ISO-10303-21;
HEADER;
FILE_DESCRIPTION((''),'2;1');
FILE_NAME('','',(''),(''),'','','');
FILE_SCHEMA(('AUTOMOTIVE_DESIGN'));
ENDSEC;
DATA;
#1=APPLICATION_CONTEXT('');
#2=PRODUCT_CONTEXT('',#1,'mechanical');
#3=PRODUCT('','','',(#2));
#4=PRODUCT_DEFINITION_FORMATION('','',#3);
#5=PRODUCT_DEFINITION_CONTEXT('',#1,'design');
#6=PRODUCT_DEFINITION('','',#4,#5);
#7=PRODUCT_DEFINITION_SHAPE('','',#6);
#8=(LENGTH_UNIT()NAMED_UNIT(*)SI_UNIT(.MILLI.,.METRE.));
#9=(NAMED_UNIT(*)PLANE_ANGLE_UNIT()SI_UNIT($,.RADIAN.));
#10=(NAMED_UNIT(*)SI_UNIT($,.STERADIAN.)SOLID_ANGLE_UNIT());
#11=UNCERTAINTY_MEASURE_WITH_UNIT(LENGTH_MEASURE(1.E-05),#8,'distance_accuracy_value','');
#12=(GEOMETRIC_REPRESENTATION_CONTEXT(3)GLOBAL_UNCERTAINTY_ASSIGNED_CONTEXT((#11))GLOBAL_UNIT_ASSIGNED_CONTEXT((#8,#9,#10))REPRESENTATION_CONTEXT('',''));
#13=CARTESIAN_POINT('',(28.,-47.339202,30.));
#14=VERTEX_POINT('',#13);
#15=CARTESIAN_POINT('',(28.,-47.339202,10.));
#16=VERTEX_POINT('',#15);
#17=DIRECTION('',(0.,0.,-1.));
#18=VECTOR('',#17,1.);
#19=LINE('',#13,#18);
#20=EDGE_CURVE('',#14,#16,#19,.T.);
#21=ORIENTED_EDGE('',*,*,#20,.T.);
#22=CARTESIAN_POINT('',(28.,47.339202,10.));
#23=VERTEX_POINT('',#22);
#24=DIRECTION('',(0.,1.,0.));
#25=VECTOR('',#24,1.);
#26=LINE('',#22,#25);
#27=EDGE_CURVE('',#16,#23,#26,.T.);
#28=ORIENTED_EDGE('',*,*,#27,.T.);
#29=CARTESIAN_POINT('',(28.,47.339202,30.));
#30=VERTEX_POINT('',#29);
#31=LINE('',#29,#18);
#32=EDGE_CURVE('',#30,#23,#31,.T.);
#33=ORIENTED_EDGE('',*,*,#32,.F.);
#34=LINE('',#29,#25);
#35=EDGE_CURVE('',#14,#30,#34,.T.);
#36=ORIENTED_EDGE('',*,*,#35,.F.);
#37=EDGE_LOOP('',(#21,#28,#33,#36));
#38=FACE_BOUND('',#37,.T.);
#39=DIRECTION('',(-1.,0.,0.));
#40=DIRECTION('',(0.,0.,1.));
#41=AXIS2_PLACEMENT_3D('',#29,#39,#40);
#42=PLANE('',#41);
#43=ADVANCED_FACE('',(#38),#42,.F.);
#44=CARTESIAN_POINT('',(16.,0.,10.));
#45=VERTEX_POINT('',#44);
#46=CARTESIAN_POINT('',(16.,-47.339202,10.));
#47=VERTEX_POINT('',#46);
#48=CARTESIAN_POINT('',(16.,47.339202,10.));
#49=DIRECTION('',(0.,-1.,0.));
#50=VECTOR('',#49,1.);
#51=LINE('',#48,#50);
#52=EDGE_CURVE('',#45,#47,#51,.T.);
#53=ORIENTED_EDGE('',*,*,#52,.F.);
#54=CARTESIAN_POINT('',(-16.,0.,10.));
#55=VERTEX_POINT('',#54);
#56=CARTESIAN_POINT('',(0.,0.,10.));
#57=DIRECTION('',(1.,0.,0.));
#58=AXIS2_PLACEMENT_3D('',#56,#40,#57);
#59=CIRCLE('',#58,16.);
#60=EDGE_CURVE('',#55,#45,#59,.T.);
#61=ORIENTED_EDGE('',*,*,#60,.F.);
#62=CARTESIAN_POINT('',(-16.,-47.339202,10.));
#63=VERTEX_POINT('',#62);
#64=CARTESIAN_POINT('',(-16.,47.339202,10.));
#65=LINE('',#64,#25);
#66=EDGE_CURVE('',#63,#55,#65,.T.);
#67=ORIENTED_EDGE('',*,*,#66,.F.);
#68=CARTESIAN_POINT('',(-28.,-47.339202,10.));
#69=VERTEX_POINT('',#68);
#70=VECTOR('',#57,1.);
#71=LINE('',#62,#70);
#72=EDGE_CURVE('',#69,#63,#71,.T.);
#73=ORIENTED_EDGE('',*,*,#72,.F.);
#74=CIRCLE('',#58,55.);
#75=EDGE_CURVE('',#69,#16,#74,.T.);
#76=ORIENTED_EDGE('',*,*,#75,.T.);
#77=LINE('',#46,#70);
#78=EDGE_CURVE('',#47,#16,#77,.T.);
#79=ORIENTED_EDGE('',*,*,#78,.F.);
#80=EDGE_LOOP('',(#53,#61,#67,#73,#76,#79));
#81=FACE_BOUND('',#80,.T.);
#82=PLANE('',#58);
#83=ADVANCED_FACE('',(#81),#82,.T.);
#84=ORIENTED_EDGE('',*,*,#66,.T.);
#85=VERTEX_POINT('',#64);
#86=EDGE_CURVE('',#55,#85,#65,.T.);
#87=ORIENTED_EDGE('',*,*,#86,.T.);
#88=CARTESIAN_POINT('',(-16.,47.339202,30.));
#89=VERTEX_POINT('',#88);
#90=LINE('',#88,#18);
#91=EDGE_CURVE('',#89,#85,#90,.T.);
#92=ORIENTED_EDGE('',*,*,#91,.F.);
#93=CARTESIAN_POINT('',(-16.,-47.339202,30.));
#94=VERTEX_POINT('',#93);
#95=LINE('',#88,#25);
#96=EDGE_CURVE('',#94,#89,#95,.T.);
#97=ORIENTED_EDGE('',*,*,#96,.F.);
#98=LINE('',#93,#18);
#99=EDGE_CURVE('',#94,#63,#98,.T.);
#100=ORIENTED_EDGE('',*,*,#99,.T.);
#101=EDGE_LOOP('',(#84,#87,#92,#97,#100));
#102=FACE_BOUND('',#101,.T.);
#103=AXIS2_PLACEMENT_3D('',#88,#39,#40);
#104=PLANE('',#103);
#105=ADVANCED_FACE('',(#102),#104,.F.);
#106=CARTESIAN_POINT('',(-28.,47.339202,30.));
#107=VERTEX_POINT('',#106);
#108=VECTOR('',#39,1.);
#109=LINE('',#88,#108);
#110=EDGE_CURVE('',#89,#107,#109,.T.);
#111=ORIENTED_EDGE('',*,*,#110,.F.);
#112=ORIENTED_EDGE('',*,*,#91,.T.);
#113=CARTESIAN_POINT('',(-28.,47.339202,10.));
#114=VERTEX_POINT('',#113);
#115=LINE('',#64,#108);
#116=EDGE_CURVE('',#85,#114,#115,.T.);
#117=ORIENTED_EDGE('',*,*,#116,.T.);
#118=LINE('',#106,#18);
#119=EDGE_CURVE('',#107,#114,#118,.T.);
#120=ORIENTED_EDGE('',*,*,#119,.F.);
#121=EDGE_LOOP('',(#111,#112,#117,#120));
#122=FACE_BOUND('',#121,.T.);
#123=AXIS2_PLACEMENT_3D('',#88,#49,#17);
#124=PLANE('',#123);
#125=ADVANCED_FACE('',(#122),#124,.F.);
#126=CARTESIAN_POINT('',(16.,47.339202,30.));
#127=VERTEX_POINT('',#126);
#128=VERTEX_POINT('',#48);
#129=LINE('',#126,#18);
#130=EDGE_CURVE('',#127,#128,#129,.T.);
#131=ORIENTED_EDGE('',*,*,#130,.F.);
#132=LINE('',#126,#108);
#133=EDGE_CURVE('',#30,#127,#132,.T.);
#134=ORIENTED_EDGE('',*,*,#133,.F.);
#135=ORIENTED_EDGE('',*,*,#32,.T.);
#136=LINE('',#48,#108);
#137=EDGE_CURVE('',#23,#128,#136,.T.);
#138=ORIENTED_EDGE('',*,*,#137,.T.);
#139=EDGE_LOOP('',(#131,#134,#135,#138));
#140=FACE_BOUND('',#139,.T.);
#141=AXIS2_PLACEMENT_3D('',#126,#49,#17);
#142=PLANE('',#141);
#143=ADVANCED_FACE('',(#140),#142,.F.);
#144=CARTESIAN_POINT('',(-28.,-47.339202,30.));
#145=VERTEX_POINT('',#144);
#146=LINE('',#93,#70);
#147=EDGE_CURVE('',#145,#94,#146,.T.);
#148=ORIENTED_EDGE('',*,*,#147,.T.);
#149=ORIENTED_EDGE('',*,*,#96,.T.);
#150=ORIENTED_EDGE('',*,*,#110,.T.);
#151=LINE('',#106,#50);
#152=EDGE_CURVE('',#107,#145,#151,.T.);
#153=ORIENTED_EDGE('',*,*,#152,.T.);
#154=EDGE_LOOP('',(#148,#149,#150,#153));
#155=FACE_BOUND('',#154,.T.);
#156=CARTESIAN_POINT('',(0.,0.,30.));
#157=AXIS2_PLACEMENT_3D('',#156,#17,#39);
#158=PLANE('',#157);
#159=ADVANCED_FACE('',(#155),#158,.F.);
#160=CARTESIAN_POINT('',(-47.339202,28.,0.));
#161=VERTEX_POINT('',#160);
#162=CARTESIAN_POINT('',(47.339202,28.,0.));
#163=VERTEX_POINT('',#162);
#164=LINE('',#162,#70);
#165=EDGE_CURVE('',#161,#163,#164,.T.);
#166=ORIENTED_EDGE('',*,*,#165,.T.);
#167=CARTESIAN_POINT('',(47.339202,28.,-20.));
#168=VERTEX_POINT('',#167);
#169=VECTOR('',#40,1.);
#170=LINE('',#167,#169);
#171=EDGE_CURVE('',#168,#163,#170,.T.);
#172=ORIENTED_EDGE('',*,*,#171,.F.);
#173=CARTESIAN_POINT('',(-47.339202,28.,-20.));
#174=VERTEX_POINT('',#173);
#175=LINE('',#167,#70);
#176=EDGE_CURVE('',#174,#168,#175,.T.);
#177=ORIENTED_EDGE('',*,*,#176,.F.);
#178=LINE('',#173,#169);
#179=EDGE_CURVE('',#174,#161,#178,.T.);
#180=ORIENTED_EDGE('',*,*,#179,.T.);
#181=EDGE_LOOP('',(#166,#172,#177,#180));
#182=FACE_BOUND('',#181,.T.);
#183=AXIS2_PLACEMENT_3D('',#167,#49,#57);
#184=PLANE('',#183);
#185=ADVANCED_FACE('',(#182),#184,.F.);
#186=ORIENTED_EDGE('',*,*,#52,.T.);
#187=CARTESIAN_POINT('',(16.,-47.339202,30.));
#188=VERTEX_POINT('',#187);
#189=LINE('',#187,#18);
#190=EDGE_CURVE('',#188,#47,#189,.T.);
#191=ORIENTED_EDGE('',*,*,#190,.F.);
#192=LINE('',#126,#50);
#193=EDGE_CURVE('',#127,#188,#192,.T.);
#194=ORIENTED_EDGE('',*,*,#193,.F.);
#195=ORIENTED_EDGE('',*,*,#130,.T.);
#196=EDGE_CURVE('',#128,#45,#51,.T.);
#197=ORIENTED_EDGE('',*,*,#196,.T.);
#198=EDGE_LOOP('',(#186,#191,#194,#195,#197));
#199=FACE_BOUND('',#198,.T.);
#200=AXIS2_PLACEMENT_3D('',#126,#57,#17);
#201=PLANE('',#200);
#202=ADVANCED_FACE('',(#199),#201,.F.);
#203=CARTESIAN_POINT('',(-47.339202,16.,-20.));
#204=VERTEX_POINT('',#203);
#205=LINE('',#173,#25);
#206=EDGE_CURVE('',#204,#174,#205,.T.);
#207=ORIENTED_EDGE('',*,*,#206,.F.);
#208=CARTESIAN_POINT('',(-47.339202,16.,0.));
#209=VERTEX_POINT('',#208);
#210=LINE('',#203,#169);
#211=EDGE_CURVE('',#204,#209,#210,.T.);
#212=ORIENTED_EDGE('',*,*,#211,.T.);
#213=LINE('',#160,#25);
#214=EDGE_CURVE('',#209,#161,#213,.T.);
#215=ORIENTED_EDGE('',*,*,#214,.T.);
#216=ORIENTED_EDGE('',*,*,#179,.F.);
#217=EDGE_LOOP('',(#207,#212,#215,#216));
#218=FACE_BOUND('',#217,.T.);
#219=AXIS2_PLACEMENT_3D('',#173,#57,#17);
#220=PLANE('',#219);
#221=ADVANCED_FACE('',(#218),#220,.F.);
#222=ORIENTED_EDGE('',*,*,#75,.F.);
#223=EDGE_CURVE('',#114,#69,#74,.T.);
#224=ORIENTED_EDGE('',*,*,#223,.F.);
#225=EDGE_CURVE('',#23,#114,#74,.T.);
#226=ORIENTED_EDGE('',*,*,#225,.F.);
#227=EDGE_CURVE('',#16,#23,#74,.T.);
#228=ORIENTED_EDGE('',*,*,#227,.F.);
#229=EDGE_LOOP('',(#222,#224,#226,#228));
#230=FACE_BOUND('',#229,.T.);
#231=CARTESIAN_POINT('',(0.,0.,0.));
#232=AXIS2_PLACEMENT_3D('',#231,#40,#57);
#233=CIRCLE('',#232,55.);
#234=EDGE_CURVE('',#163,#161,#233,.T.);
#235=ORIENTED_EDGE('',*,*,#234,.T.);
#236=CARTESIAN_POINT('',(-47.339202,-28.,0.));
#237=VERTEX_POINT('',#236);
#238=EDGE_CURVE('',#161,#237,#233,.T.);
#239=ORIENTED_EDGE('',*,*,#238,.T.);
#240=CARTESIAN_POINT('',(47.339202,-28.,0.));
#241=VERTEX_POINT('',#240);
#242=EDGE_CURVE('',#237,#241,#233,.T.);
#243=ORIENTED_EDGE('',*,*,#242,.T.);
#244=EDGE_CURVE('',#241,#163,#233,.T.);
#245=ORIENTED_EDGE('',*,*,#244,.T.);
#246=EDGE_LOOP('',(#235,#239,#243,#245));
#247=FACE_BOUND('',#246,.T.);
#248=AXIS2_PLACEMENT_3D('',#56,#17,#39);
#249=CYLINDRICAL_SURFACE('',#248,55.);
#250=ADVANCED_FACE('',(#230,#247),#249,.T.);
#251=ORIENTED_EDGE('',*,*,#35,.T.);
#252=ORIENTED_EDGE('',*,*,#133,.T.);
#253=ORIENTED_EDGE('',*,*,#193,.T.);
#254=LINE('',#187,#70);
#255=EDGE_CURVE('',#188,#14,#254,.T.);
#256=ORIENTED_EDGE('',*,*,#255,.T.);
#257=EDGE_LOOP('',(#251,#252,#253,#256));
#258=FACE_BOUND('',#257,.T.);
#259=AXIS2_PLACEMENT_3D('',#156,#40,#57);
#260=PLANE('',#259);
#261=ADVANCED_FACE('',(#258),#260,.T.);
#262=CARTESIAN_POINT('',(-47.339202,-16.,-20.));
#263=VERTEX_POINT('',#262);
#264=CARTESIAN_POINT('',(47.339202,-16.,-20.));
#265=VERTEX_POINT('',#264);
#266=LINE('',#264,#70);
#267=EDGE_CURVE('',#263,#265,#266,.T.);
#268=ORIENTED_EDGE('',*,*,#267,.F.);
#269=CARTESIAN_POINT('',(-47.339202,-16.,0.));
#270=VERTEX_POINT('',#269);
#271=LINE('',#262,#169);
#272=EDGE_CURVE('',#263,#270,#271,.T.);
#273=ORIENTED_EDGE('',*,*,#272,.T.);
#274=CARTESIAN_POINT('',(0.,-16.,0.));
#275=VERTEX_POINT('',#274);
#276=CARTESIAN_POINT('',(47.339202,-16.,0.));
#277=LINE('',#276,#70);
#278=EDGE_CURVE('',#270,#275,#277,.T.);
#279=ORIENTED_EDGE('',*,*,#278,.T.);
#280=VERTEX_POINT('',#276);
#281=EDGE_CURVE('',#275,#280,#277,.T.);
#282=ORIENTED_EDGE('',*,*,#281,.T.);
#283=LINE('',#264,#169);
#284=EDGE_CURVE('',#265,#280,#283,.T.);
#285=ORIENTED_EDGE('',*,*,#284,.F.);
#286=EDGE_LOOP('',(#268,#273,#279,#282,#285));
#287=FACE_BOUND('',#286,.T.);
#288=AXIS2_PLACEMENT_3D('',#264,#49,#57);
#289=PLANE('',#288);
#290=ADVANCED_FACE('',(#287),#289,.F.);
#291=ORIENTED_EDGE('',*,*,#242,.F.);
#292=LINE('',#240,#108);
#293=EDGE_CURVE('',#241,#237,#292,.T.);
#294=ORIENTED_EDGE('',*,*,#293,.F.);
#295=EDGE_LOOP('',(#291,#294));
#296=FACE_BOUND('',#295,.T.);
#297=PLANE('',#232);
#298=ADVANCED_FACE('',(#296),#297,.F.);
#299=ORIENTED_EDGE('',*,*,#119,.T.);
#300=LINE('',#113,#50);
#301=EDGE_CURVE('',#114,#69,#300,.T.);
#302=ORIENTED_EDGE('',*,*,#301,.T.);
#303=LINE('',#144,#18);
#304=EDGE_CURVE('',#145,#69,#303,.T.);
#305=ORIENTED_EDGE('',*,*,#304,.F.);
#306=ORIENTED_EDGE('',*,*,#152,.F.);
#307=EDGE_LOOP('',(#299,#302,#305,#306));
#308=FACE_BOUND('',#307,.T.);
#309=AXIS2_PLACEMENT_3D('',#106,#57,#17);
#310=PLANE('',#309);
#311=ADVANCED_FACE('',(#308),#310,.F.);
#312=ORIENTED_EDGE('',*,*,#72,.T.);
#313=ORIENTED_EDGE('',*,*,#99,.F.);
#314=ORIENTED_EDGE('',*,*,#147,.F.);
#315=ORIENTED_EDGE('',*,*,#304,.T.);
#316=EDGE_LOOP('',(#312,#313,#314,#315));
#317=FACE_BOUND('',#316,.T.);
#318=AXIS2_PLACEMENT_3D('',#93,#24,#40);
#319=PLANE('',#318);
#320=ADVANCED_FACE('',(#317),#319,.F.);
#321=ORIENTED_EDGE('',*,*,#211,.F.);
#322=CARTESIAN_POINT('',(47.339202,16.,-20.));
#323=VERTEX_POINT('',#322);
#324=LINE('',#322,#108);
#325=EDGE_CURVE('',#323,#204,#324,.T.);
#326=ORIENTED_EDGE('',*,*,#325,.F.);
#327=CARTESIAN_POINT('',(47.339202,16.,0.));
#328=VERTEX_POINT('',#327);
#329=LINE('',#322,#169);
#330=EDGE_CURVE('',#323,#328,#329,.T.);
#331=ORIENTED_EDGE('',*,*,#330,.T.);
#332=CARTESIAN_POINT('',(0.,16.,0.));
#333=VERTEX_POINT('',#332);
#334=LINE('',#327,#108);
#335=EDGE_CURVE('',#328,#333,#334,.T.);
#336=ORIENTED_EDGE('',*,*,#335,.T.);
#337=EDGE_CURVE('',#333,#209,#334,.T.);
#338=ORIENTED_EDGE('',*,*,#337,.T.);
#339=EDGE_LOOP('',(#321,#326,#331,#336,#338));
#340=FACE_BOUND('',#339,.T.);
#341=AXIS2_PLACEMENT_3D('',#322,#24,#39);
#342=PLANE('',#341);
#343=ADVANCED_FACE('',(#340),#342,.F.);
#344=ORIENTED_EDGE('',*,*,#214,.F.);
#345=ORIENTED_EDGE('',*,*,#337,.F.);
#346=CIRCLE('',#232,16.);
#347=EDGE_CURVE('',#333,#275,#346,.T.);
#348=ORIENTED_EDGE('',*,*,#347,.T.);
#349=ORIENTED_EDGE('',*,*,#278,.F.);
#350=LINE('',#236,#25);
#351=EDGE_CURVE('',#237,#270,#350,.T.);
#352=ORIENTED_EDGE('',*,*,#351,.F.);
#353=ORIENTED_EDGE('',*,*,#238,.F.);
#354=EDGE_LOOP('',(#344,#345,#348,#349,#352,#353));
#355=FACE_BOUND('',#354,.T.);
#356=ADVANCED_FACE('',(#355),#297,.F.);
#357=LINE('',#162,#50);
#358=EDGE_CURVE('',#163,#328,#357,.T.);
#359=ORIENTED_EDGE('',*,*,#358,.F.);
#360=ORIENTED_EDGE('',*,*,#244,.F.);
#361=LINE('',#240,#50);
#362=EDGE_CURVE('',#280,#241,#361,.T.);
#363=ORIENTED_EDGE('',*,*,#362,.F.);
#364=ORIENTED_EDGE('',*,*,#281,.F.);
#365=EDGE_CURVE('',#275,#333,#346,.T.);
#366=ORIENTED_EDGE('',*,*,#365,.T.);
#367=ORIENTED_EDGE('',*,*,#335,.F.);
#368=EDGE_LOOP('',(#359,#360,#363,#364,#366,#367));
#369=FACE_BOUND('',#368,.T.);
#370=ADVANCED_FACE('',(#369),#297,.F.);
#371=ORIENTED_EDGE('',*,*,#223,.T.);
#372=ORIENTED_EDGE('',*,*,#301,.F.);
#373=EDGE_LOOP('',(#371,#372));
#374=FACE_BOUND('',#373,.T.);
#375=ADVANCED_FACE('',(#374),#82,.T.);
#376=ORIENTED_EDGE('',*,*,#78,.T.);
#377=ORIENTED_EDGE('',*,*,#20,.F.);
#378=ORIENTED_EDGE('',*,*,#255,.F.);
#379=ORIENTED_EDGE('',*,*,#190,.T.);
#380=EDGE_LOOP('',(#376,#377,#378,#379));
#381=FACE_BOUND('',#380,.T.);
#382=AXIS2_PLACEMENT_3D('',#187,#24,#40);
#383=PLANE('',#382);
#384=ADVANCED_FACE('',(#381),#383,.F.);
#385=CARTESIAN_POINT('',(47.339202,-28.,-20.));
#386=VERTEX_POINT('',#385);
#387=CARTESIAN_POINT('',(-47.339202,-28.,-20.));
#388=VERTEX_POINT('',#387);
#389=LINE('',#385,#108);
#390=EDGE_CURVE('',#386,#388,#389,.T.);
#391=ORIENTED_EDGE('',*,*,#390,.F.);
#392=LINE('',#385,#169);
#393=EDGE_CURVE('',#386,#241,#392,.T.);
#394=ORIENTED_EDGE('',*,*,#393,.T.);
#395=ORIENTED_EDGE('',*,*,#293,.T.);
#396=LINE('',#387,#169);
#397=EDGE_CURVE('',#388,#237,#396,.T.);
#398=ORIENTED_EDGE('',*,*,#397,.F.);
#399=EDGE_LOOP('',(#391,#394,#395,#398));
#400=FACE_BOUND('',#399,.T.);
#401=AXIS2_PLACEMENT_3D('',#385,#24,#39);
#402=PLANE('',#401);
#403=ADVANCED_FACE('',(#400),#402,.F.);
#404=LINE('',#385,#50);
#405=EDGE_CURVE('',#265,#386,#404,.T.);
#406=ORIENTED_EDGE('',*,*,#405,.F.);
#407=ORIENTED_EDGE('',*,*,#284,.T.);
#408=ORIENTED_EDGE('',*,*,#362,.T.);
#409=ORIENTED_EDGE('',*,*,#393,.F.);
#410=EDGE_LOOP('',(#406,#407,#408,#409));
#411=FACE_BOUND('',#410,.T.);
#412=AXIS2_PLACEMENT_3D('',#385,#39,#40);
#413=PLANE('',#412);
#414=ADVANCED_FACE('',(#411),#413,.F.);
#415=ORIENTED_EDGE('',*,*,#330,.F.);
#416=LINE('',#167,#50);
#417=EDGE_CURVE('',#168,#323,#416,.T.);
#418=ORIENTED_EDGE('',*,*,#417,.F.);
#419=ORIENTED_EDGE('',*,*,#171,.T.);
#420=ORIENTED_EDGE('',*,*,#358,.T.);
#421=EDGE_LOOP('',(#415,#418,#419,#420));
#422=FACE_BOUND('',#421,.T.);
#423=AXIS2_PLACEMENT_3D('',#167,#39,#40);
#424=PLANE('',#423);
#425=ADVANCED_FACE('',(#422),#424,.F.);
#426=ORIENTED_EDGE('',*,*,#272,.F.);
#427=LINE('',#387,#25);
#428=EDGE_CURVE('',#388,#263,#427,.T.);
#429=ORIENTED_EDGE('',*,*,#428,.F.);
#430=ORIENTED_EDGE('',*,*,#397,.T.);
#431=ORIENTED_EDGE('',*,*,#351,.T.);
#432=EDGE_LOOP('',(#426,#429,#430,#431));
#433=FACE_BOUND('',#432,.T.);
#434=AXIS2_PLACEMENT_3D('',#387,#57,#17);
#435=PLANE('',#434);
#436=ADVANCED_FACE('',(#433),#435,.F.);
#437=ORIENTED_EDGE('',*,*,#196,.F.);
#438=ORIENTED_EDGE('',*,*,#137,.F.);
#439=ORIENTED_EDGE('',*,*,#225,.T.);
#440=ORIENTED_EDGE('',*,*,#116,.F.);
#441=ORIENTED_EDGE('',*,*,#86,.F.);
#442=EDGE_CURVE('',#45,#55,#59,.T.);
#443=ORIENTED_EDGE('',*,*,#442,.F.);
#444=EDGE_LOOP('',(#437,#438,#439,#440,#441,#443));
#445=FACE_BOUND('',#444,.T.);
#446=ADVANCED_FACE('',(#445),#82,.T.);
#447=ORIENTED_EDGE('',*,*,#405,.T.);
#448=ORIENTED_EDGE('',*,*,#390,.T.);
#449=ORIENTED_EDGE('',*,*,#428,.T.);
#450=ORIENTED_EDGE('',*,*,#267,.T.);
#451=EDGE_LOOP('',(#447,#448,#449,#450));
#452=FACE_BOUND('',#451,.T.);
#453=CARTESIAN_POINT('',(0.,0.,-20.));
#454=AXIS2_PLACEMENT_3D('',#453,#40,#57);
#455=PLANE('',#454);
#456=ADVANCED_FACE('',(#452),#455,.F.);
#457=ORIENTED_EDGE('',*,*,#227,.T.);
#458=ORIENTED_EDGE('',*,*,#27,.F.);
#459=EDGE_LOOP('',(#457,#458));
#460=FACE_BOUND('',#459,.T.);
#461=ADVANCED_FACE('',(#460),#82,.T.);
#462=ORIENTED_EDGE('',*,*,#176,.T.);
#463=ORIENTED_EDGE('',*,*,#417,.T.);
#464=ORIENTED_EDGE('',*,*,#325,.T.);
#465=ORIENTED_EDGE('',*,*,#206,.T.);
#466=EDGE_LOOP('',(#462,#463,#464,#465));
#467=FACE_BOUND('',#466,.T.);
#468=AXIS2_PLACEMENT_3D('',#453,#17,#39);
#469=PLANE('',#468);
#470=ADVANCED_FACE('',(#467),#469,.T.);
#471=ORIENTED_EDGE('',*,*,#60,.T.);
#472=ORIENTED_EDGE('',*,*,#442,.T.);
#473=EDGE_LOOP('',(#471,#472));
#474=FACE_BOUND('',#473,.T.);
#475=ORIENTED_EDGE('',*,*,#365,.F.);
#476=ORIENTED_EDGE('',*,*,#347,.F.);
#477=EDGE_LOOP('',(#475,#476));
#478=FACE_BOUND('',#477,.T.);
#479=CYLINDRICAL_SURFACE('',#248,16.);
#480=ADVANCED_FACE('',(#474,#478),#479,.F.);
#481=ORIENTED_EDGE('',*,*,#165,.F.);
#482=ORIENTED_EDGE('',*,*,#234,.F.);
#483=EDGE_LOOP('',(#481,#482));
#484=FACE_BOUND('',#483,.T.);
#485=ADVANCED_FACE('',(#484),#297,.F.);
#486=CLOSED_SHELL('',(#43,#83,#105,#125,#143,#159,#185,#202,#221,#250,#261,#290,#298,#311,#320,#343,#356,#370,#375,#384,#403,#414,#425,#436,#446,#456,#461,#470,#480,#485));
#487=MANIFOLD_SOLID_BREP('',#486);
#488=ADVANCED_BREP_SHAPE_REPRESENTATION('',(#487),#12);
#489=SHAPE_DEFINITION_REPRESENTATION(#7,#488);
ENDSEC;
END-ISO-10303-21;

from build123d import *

# Parameters (mm, degrees)
SZKIC1_R                    = 55
SZKIC1_R_2                  = 16
DODANIE_WYCI_GNI_CIE1_DEPTH = 10
SZKIC2_W                    = 12
SZKIC2_H                    = 94.678403028
DODANIE_WYCI_GNI_CIE2_DEPTH = 20
SZKIC3_W                    = 94.678403028
SZKIC3_H                    = 12
DODANIE_WYCI_GNI_CIE3_DEPTH = 20


with BuildPart() as part:
    # Szkic1 → Dodanie-wyciągnięcie1 (new body)
    with BuildSketch(Plane.XY):
        Circle(SZKIC1_R)
        Circle(SZKIC1_R_2, mode=Mode.SUBTRACT)
    extrude(amount=DODANIE_WYCI_GNI_CIE1_DEPTH)

    # Szkic2 → Dodanie-wyciągnięcie2 (add)
    with BuildSketch(Plane.XY.offset(10)):
        with Locations((-22, 0)):
            Rectangle(SZKIC2_W, SZKIC2_H)
        with Locations((22, 0)):
            Rectangle(SZKIC2_W, SZKIC2_H)
    extrude(amount=DODANIE_WYCI_GNI_CIE2_DEPTH)

    # Szkic3 → Dodanie-wyciągnięcie3 (add)
    with BuildSketch(Plane(origin=(0, 0, 0), x_dir=(-1, 0, 0), z_dir=(0, 0, -1))):
        with Locations((0, -22)):
            Rectangle(SZKIC3_W, SZKIC3_H)
        with Locations((0, 22)):
            Rectangle(SZKIC3_W, SZKIC3_H)
    extrude(amount=DODANIE_WYCI_GNI_CIE3_DEPTH)


solid = part.part
